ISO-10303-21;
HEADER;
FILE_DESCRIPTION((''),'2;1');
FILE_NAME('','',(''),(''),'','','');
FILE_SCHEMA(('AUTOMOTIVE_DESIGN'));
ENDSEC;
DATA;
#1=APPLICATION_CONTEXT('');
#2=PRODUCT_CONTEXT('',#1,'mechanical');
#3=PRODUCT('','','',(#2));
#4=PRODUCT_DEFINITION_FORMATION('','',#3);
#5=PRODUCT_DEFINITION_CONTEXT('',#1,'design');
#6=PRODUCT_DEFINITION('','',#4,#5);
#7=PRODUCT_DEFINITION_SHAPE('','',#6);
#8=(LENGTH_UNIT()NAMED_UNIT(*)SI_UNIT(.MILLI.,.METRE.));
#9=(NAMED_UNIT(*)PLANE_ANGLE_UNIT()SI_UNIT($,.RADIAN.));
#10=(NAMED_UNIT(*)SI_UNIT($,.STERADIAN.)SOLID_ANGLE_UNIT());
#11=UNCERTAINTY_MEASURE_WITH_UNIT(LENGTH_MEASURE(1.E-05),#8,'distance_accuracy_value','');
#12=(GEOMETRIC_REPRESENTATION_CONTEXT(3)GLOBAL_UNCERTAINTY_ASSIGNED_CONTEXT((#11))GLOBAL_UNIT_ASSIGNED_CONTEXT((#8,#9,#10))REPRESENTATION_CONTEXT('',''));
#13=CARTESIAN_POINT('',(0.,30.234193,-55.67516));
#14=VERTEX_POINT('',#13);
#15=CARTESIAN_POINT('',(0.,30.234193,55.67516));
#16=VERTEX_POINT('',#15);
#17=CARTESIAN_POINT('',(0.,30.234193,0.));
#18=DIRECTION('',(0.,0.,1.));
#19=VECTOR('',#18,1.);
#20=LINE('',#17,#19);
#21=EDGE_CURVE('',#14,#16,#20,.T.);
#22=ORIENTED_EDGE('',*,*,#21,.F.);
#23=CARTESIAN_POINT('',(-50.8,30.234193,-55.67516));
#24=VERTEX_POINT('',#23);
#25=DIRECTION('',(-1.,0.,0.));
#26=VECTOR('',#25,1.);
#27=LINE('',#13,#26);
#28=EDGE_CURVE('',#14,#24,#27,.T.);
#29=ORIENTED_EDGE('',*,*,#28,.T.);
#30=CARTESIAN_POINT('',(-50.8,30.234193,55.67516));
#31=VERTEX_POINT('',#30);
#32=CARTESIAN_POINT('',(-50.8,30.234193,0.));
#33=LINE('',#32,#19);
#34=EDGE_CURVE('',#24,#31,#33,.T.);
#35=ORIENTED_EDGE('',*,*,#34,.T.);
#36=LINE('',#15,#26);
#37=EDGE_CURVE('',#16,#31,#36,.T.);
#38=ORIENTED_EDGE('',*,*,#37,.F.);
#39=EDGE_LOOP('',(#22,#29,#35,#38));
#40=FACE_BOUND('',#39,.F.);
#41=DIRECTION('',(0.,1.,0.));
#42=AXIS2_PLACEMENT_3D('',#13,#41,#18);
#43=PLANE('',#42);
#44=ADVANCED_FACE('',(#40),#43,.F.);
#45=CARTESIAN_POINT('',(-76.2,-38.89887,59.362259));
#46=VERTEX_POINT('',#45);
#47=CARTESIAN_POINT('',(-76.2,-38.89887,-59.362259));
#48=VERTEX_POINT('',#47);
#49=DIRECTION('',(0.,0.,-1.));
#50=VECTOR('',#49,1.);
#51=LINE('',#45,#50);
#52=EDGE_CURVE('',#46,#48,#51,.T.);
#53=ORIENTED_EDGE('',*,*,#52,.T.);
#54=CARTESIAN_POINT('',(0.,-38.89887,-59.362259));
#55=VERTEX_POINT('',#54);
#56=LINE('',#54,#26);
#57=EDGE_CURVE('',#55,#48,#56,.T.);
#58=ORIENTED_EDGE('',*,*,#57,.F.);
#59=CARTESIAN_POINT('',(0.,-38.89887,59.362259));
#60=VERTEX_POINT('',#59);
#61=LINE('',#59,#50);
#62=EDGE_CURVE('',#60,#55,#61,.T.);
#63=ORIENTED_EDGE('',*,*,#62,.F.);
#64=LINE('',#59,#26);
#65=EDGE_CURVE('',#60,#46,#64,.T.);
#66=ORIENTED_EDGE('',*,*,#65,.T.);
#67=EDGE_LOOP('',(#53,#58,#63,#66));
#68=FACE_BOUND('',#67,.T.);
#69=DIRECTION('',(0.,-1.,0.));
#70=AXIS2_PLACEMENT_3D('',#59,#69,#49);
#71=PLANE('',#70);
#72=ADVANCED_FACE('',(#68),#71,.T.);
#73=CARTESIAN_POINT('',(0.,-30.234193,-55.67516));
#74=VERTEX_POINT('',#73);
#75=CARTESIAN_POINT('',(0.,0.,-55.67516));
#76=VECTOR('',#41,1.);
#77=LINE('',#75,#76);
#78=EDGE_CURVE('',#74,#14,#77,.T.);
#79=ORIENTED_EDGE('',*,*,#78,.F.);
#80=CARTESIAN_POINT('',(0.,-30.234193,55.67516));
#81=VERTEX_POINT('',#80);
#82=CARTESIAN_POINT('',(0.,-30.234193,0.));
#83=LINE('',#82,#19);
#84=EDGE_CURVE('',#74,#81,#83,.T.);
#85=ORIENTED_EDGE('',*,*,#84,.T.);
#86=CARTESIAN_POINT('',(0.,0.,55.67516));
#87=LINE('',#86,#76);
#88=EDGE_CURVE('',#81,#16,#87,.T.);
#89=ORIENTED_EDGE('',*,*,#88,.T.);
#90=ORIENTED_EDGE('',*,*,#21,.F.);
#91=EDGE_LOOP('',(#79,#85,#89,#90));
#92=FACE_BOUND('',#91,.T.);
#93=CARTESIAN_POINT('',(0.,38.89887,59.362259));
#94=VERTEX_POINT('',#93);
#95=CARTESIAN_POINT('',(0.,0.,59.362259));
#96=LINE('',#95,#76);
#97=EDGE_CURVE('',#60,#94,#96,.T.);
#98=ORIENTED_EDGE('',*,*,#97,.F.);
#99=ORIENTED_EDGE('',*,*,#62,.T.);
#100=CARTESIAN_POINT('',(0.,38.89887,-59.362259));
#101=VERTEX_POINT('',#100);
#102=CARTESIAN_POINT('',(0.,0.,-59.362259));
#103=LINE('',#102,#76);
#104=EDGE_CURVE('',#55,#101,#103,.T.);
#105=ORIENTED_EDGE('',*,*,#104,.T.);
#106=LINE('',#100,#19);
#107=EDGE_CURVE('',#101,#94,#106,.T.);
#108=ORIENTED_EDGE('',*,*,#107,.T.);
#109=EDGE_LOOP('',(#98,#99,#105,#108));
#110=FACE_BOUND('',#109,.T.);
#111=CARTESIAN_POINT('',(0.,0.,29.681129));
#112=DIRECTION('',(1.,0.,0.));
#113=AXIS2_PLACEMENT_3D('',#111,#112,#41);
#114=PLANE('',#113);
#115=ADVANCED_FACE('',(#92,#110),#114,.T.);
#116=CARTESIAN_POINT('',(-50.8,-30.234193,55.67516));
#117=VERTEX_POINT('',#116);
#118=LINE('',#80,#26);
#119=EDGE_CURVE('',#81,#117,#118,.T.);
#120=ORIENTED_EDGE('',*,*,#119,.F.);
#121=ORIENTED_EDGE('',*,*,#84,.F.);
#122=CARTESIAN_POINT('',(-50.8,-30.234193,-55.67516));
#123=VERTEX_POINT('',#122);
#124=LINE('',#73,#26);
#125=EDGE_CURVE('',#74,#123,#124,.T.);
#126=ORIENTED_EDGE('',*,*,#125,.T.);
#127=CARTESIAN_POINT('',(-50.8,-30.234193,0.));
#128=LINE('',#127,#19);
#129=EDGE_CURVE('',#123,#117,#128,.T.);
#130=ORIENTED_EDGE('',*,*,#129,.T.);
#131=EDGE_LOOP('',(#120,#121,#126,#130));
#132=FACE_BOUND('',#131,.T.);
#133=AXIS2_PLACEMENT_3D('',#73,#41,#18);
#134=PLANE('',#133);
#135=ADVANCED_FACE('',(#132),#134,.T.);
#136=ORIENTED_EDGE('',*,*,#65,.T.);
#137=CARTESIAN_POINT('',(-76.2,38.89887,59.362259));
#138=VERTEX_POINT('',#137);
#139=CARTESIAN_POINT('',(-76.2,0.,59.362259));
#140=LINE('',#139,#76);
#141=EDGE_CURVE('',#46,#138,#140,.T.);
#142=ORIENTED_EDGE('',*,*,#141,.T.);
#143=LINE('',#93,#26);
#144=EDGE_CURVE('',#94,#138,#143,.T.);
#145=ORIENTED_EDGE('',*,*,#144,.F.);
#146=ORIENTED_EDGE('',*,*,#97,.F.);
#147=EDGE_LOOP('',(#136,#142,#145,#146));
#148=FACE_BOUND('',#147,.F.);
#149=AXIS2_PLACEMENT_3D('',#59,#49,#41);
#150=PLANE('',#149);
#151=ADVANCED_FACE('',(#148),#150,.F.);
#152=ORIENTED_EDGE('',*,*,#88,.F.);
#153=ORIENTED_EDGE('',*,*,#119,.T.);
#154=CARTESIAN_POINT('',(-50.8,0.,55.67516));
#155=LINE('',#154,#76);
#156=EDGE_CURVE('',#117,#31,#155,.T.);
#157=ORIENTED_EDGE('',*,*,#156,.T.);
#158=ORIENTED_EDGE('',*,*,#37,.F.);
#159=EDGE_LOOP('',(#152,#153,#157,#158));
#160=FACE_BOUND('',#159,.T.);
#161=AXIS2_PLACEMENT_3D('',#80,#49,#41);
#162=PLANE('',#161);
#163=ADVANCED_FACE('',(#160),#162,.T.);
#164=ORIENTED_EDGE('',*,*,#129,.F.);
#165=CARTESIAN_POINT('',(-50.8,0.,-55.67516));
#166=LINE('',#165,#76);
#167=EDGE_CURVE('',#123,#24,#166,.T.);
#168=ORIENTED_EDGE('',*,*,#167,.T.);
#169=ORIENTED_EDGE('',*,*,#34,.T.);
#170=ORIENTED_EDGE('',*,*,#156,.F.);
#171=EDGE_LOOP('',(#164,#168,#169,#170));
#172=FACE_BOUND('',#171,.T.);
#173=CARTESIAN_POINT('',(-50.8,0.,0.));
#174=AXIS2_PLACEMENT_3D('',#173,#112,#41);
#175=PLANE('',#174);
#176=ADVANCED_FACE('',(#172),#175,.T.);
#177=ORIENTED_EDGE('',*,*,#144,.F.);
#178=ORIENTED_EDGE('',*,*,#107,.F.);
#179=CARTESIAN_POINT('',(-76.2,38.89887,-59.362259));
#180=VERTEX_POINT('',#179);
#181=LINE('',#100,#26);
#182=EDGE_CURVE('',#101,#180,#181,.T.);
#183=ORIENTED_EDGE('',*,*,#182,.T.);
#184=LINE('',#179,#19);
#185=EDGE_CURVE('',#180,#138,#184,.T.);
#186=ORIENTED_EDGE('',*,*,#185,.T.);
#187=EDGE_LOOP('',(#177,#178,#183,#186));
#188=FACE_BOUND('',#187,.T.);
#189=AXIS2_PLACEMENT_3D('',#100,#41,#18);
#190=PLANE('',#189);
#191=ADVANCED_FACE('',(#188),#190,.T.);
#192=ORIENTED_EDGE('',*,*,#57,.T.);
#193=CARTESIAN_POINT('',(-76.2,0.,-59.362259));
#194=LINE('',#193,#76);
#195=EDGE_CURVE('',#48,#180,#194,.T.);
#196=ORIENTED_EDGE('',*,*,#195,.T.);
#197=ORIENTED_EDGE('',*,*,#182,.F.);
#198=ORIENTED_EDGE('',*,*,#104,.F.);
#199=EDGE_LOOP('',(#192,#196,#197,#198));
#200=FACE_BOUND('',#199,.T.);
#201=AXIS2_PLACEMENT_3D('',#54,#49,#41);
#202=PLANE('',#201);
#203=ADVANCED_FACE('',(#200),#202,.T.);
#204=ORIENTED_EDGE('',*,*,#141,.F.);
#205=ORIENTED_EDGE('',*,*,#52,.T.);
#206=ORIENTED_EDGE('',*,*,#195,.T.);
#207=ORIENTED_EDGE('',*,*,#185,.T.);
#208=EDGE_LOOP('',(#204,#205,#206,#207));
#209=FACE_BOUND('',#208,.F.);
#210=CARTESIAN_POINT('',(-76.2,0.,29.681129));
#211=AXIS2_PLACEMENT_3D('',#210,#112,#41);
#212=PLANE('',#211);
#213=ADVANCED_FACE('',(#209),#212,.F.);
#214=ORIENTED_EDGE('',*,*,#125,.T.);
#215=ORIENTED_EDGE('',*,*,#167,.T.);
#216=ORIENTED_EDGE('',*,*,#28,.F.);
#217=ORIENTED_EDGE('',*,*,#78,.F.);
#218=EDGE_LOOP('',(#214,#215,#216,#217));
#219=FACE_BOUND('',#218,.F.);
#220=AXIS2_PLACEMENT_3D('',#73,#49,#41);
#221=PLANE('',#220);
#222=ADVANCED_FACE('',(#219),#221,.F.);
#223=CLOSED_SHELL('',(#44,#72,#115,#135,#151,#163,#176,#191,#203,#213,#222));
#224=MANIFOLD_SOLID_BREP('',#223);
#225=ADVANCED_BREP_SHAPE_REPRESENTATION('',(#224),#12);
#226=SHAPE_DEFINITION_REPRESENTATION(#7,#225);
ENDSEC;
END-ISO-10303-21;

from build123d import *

# Parameters (mm, degrees)
F0_W     = 77.79774
F0_H     = 59.362259
F1_DEPTH = 76.2
F2_W     = 60.468386
F2_H     = 111.35032
F3_DEPTH = 50.8


with BuildPart() as f1:
    # F0 (on Right) → F1 (new body)
    with BuildSketch(Plane.YZ):
        with Locations((0, 29.681129)):
            Rectangle(F0_W, F0_H)
        with Locations((0, -29.681129)):
            Rectangle(F0_W, F0_H)
    extrude(amount=-F1_DEPTH)

    # F2 (on Right) → F3 (cut)
    with BuildSketch(Plane.YZ):
        Rectangle(F2_W, F2_H)
    extrude(amount=-F3_DEPTH, mode=Mode.SUBTRACT)


solid = f1.part
